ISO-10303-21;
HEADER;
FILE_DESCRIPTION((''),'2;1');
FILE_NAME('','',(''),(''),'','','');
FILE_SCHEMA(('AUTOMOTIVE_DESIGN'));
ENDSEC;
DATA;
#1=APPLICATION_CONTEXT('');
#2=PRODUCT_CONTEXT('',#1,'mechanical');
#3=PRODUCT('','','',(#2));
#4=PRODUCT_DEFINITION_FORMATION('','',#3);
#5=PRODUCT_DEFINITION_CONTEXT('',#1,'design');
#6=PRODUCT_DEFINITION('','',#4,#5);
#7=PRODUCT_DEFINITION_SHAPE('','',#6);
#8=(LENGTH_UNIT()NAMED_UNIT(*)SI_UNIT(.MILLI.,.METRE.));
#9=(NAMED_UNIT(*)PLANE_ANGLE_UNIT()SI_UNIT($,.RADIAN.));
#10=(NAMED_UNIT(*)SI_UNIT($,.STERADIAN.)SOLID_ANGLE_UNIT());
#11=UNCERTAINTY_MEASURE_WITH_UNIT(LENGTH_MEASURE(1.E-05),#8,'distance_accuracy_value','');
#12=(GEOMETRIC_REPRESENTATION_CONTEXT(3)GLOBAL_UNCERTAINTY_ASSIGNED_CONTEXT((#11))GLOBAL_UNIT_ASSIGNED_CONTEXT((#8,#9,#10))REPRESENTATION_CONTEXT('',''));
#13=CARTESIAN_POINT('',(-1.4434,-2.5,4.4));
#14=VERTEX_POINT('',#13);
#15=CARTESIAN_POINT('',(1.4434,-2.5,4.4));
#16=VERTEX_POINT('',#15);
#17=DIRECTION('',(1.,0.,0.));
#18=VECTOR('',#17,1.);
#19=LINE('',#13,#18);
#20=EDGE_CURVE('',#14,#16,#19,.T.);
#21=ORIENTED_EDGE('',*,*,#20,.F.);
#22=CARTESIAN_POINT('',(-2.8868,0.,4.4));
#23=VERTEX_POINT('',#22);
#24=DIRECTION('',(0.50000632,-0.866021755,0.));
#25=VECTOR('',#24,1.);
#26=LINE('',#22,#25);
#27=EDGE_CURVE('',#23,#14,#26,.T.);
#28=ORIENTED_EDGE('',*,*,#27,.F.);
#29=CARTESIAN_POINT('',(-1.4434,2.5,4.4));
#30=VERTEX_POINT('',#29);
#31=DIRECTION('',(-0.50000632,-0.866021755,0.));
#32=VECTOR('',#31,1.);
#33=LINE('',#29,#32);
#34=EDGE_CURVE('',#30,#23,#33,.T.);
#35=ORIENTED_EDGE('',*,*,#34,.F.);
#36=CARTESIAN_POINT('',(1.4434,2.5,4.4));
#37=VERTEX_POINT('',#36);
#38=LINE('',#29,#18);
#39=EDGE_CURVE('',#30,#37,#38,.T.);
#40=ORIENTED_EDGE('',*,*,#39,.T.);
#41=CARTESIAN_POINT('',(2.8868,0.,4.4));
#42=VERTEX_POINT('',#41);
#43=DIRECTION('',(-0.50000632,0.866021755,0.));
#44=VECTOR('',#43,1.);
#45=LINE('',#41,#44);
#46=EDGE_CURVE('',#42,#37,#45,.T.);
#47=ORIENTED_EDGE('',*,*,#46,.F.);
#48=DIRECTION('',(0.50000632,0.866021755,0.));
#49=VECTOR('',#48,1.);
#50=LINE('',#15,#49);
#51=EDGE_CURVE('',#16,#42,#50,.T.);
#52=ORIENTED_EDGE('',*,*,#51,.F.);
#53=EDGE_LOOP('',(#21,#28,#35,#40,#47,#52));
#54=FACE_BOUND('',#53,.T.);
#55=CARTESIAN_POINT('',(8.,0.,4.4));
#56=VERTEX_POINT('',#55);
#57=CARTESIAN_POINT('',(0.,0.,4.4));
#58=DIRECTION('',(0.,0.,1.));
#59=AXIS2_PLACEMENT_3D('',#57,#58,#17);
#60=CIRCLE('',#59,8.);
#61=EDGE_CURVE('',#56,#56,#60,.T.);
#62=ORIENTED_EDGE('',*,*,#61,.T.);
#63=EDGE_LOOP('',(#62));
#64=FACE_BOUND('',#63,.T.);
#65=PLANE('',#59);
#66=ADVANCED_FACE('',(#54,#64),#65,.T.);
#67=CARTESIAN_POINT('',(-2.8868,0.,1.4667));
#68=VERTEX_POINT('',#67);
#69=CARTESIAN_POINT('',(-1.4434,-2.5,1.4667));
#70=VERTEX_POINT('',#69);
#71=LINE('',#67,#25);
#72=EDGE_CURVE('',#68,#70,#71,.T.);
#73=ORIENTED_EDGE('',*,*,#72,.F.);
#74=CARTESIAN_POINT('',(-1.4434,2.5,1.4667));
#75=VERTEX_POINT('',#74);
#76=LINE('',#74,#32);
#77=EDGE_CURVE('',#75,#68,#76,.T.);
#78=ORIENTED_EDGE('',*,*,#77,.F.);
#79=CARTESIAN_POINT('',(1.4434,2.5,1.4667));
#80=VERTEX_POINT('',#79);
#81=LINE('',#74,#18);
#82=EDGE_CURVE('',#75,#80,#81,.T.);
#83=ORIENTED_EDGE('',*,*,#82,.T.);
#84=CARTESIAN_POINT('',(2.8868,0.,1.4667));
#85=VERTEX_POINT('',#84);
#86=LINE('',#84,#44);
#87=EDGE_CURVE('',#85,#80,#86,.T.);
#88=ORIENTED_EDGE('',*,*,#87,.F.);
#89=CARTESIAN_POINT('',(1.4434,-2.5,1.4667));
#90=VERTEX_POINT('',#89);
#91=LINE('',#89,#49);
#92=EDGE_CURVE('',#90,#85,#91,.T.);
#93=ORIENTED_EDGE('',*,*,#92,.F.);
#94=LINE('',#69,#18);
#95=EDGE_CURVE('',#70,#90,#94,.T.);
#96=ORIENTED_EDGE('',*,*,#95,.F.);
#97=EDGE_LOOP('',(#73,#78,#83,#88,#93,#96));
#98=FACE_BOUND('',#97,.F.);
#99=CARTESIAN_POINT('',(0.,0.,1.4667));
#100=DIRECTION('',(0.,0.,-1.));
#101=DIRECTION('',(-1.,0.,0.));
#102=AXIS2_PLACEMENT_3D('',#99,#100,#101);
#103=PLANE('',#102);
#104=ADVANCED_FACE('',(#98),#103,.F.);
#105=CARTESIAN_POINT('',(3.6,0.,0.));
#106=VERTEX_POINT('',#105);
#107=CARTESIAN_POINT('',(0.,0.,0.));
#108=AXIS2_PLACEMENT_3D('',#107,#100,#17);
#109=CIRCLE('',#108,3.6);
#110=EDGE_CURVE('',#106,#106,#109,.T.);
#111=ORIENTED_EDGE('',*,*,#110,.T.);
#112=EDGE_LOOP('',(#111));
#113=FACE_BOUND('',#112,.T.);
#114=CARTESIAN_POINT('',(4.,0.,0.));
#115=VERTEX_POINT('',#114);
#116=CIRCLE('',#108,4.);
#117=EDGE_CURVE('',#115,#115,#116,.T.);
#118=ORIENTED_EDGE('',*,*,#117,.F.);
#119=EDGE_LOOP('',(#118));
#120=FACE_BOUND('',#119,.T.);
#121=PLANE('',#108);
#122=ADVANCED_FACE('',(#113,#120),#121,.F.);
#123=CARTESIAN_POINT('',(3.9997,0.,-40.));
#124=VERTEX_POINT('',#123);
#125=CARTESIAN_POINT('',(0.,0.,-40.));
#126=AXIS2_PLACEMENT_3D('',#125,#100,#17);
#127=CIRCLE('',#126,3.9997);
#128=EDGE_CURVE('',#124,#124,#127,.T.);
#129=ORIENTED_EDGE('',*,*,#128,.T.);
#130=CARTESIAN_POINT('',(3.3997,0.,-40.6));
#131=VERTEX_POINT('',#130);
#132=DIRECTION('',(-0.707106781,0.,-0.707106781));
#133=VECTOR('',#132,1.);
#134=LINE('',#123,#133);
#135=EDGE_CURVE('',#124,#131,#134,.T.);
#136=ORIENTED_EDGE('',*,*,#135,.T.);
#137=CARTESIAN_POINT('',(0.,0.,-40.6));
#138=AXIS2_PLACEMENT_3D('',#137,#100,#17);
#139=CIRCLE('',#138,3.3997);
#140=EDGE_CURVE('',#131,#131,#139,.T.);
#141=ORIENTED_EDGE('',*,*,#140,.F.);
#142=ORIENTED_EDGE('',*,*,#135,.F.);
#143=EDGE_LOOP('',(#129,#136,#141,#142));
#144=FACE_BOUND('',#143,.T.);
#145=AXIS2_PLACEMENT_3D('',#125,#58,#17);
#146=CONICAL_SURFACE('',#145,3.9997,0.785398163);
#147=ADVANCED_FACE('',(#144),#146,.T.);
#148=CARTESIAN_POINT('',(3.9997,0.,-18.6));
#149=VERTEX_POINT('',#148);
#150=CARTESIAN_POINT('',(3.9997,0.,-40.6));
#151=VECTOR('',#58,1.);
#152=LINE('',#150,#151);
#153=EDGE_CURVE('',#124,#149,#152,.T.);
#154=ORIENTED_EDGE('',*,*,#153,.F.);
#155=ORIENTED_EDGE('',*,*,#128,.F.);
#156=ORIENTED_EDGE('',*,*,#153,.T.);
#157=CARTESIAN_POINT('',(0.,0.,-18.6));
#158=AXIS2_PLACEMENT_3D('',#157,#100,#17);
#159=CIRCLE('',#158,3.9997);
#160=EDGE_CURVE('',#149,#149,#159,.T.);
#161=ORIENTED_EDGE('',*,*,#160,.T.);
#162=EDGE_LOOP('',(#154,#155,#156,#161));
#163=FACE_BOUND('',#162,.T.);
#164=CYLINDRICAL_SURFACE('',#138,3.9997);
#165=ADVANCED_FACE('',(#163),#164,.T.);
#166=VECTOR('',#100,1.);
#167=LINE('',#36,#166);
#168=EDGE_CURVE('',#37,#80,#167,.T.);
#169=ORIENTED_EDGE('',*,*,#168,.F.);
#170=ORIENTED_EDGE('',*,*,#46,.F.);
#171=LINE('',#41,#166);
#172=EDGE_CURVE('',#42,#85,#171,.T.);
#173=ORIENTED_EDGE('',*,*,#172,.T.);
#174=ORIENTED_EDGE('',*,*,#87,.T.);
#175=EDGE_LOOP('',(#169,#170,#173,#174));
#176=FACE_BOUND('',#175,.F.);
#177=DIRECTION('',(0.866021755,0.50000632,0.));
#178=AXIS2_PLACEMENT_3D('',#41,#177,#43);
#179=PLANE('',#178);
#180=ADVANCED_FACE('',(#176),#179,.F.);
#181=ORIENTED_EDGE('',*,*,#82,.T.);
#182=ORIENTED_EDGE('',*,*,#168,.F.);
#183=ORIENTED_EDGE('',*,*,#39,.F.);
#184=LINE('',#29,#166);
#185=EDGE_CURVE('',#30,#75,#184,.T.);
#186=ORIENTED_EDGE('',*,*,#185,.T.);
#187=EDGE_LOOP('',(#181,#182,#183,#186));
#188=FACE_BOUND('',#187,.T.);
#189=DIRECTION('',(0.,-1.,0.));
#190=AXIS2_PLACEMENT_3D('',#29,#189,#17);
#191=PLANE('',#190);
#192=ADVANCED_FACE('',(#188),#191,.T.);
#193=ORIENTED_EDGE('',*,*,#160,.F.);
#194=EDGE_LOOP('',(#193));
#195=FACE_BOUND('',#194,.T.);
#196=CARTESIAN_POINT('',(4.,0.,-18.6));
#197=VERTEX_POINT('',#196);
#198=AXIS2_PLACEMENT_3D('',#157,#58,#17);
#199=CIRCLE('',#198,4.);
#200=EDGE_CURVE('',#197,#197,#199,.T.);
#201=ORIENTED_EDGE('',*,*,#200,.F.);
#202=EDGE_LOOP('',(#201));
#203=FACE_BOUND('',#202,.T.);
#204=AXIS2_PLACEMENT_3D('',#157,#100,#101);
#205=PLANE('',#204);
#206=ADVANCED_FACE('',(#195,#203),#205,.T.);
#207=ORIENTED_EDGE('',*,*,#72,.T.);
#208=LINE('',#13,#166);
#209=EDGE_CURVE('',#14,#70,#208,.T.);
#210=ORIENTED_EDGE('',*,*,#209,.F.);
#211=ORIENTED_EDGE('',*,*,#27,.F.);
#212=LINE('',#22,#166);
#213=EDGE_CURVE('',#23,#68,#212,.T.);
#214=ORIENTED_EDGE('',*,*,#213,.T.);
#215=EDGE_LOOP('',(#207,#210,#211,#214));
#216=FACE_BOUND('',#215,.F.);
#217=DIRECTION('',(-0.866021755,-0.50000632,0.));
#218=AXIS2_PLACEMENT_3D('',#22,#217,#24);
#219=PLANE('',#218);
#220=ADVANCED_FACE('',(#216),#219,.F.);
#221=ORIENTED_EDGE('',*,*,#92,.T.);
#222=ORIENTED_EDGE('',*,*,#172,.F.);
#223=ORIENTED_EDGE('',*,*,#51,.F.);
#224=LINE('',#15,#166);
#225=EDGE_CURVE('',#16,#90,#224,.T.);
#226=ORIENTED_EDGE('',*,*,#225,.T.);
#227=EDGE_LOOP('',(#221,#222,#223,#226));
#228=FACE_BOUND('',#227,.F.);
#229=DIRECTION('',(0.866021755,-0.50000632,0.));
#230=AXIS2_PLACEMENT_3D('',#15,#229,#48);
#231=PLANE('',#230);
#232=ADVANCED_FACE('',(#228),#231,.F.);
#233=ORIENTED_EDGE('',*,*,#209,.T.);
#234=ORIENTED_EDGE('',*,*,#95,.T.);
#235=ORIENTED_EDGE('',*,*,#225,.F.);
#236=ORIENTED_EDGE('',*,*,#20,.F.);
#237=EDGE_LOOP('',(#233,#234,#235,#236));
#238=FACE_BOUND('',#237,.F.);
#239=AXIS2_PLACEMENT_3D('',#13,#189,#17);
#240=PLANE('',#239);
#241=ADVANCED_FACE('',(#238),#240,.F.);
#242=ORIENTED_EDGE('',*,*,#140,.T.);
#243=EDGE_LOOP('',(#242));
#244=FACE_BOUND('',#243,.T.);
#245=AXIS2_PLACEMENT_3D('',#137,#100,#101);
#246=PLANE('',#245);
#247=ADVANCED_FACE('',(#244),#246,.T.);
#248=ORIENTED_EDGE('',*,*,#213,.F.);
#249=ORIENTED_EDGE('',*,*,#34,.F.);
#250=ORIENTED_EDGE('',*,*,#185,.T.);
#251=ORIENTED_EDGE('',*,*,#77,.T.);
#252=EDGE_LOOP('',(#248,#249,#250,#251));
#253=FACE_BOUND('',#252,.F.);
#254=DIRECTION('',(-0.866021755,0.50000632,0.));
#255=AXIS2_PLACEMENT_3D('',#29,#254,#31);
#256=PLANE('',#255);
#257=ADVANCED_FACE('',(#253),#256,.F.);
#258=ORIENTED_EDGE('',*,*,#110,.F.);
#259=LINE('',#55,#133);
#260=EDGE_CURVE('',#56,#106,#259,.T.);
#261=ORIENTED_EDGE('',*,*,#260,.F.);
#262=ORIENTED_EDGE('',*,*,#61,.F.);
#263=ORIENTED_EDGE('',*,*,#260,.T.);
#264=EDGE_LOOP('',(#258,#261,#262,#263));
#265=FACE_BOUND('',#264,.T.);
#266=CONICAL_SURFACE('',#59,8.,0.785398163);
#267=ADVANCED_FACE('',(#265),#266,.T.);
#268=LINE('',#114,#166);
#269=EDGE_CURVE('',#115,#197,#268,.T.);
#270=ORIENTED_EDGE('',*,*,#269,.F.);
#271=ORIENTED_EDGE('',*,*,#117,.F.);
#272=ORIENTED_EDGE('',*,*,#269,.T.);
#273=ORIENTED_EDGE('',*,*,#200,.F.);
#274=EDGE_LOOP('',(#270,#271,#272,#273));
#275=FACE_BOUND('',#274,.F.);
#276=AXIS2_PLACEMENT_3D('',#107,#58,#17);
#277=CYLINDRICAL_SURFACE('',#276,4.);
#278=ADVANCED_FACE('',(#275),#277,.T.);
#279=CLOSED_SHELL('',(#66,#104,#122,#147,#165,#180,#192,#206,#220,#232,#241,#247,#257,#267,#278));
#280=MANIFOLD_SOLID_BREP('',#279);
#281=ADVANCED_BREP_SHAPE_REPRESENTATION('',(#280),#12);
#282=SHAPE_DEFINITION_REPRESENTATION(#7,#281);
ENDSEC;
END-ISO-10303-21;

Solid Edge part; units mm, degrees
sketch "Sketch1" plane through (0, 0, 0) normal (0, 0, 1) x (1, 0, 0)
  circle A0 centre (0, 0) radius 8
  dimension "D1" = 16
extrude "Protrusion1" add sketch "Sketch1" along normal blind 4.4
sketch "Sketch2" plane through (0, 0, 0) normal (0, 0, -1) x (1, 0, 0)
  circle A0 centre (0, 0) radius 4
extrude "Protrusion2" add sketch "Sketch2" along normal blind 40.6
sketch "Sketch3" plane through (0, 0, -40.6) normal (0, 0, -1) x (1, 0, 0)
  circle A0 centre (0, 0) radius 3.9997
extrude "Cutout1" cut sketch "Sketch3" against normal blind 22 flip side to cut
chamfer "Chamfer_1" distance 0.6 angle 45 1 edges at (-3.9997, 0, -40.6)
sketch "Sketch4" plane through (0, 0, 4.4) normal (0, 0, 1) x (1, 0, 0)
  line L0 (-1.4434, 2.5) -> (1.4434, 2.5)
  line L1 (2.8868, 0) -> (1.4434, 2.5)
  line L2 (1.4434, -2.5) -> (2.8868, 0)
  line L3 (-1.4434, -2.5) -> (1.4434, -2.5)
  line L4 (-2.8868, 0) -> (-1.4434, -2.5)
  line L5 (-1.4434, 2.5) -> (-2.8868, 0)
  dimension "D1" = 5
extrude "Cutout2" cut sketch "Sketch4" against normal blind 2.9333
sketch "Sketch5" plane through (0, 0, 0) normal (0, -1, 0) x (1, 0, 0)
  line L0 (8, 4.4) -> (3.6, 0)
  line L1 (3.6, 0) -> (8, 0)
  line L2 (8, 0) -> (8, 4.4)
revolve "RevolvedCutout1" cut sketch "Sketch5" angle 360 about axis through (0, 0, 14.0017) along (0, 0, -1)
properties part number "24104831"
